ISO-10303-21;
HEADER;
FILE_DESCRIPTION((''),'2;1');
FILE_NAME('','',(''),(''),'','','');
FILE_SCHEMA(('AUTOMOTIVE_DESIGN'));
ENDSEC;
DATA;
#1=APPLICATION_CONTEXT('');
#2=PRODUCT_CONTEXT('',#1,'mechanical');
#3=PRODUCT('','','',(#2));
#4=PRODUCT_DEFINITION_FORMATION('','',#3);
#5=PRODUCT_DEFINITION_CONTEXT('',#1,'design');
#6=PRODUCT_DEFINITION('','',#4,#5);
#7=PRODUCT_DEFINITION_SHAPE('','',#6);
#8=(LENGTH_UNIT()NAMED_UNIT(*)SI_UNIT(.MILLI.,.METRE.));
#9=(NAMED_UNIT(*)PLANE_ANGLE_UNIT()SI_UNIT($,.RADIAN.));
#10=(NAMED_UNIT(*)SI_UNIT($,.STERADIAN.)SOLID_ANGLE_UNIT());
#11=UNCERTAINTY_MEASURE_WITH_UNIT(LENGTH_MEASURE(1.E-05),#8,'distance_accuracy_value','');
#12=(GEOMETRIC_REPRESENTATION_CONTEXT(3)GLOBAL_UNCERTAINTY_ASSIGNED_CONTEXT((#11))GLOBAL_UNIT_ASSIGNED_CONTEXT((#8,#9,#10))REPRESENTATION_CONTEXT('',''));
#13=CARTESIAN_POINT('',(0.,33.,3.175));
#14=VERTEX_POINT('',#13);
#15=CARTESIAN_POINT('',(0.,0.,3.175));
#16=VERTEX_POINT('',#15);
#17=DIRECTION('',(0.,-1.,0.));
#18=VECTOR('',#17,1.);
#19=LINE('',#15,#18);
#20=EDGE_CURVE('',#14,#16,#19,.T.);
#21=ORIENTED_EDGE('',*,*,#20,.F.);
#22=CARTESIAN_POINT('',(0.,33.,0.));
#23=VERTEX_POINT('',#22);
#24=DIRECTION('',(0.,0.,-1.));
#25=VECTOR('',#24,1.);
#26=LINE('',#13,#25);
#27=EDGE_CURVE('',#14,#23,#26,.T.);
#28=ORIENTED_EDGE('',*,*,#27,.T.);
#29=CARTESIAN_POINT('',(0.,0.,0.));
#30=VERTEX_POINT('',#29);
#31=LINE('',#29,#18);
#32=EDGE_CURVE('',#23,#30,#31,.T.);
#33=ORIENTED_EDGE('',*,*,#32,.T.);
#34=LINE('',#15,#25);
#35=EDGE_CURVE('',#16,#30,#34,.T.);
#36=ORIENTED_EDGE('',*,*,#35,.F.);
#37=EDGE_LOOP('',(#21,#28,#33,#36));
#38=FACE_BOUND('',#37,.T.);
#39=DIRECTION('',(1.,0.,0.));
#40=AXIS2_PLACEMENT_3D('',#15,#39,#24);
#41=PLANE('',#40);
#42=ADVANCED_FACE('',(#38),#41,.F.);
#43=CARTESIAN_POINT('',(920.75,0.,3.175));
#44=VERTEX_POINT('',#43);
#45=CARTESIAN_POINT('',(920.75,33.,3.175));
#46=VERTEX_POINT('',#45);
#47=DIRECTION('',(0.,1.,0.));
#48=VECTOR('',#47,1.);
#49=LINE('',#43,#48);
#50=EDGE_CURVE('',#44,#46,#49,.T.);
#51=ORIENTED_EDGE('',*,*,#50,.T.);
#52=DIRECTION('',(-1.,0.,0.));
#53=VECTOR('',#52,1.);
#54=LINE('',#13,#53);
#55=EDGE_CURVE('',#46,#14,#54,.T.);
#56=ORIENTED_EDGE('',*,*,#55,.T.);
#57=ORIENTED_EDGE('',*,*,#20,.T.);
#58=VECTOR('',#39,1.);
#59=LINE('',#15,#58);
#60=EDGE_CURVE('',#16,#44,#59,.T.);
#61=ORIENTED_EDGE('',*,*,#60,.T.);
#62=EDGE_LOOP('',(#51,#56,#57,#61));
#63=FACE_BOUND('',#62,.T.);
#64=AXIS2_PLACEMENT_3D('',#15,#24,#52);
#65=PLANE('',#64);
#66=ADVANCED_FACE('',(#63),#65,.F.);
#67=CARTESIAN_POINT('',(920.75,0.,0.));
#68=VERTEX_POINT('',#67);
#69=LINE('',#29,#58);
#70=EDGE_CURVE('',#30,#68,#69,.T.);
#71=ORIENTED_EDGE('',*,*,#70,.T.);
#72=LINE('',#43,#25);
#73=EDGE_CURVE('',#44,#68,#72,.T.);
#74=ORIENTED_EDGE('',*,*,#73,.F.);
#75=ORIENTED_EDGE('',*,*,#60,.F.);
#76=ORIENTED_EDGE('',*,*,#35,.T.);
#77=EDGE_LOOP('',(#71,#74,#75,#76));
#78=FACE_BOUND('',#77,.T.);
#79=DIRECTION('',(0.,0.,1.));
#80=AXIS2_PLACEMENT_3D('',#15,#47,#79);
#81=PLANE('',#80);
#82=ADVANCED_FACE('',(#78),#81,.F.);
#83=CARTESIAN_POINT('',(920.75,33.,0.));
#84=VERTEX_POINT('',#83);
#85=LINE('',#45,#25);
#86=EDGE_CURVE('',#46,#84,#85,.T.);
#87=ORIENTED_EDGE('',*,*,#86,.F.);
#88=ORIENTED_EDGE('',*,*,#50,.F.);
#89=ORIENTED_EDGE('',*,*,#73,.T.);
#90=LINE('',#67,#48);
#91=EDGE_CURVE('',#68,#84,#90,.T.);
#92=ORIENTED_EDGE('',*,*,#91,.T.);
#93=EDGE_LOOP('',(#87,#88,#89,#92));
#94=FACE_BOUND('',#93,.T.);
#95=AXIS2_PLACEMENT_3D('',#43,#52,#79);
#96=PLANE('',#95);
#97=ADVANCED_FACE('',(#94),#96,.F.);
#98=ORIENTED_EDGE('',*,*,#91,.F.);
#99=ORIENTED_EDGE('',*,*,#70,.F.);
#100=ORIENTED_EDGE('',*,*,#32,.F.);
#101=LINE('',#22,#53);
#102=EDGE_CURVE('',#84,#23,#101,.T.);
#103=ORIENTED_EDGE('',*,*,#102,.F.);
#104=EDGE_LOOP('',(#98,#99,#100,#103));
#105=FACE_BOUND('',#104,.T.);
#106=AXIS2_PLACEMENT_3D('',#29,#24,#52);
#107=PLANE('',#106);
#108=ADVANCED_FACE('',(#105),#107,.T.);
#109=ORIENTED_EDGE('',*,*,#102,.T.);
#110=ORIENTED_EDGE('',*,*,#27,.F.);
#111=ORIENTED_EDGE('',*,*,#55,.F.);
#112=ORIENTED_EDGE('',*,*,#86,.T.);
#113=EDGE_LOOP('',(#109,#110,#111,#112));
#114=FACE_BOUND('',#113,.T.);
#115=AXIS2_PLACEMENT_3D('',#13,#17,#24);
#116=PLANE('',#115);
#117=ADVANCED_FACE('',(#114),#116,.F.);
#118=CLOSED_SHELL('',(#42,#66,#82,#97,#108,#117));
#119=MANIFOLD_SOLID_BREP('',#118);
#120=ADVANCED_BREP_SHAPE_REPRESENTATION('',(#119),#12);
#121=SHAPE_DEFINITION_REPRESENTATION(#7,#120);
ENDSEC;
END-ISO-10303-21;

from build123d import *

# Parameters (mm, degrees)
SKETCH1_W           = 920.75
SKETCH1_H           = 33
BOSS_EXTRUDE1_DEPTH = 3.175


with BuildPart() as part:
    # Sketch1 → Boss-Extrude1 (new body)
    with BuildSketch(Plane.XY):
        with Locations((460.375, 16.5)):
            Rectangle(SKETCH1_W, SKETCH1_H)
    extrude(amount=BOSS_EXTRUDE1_DEPTH)


solid = part.part
